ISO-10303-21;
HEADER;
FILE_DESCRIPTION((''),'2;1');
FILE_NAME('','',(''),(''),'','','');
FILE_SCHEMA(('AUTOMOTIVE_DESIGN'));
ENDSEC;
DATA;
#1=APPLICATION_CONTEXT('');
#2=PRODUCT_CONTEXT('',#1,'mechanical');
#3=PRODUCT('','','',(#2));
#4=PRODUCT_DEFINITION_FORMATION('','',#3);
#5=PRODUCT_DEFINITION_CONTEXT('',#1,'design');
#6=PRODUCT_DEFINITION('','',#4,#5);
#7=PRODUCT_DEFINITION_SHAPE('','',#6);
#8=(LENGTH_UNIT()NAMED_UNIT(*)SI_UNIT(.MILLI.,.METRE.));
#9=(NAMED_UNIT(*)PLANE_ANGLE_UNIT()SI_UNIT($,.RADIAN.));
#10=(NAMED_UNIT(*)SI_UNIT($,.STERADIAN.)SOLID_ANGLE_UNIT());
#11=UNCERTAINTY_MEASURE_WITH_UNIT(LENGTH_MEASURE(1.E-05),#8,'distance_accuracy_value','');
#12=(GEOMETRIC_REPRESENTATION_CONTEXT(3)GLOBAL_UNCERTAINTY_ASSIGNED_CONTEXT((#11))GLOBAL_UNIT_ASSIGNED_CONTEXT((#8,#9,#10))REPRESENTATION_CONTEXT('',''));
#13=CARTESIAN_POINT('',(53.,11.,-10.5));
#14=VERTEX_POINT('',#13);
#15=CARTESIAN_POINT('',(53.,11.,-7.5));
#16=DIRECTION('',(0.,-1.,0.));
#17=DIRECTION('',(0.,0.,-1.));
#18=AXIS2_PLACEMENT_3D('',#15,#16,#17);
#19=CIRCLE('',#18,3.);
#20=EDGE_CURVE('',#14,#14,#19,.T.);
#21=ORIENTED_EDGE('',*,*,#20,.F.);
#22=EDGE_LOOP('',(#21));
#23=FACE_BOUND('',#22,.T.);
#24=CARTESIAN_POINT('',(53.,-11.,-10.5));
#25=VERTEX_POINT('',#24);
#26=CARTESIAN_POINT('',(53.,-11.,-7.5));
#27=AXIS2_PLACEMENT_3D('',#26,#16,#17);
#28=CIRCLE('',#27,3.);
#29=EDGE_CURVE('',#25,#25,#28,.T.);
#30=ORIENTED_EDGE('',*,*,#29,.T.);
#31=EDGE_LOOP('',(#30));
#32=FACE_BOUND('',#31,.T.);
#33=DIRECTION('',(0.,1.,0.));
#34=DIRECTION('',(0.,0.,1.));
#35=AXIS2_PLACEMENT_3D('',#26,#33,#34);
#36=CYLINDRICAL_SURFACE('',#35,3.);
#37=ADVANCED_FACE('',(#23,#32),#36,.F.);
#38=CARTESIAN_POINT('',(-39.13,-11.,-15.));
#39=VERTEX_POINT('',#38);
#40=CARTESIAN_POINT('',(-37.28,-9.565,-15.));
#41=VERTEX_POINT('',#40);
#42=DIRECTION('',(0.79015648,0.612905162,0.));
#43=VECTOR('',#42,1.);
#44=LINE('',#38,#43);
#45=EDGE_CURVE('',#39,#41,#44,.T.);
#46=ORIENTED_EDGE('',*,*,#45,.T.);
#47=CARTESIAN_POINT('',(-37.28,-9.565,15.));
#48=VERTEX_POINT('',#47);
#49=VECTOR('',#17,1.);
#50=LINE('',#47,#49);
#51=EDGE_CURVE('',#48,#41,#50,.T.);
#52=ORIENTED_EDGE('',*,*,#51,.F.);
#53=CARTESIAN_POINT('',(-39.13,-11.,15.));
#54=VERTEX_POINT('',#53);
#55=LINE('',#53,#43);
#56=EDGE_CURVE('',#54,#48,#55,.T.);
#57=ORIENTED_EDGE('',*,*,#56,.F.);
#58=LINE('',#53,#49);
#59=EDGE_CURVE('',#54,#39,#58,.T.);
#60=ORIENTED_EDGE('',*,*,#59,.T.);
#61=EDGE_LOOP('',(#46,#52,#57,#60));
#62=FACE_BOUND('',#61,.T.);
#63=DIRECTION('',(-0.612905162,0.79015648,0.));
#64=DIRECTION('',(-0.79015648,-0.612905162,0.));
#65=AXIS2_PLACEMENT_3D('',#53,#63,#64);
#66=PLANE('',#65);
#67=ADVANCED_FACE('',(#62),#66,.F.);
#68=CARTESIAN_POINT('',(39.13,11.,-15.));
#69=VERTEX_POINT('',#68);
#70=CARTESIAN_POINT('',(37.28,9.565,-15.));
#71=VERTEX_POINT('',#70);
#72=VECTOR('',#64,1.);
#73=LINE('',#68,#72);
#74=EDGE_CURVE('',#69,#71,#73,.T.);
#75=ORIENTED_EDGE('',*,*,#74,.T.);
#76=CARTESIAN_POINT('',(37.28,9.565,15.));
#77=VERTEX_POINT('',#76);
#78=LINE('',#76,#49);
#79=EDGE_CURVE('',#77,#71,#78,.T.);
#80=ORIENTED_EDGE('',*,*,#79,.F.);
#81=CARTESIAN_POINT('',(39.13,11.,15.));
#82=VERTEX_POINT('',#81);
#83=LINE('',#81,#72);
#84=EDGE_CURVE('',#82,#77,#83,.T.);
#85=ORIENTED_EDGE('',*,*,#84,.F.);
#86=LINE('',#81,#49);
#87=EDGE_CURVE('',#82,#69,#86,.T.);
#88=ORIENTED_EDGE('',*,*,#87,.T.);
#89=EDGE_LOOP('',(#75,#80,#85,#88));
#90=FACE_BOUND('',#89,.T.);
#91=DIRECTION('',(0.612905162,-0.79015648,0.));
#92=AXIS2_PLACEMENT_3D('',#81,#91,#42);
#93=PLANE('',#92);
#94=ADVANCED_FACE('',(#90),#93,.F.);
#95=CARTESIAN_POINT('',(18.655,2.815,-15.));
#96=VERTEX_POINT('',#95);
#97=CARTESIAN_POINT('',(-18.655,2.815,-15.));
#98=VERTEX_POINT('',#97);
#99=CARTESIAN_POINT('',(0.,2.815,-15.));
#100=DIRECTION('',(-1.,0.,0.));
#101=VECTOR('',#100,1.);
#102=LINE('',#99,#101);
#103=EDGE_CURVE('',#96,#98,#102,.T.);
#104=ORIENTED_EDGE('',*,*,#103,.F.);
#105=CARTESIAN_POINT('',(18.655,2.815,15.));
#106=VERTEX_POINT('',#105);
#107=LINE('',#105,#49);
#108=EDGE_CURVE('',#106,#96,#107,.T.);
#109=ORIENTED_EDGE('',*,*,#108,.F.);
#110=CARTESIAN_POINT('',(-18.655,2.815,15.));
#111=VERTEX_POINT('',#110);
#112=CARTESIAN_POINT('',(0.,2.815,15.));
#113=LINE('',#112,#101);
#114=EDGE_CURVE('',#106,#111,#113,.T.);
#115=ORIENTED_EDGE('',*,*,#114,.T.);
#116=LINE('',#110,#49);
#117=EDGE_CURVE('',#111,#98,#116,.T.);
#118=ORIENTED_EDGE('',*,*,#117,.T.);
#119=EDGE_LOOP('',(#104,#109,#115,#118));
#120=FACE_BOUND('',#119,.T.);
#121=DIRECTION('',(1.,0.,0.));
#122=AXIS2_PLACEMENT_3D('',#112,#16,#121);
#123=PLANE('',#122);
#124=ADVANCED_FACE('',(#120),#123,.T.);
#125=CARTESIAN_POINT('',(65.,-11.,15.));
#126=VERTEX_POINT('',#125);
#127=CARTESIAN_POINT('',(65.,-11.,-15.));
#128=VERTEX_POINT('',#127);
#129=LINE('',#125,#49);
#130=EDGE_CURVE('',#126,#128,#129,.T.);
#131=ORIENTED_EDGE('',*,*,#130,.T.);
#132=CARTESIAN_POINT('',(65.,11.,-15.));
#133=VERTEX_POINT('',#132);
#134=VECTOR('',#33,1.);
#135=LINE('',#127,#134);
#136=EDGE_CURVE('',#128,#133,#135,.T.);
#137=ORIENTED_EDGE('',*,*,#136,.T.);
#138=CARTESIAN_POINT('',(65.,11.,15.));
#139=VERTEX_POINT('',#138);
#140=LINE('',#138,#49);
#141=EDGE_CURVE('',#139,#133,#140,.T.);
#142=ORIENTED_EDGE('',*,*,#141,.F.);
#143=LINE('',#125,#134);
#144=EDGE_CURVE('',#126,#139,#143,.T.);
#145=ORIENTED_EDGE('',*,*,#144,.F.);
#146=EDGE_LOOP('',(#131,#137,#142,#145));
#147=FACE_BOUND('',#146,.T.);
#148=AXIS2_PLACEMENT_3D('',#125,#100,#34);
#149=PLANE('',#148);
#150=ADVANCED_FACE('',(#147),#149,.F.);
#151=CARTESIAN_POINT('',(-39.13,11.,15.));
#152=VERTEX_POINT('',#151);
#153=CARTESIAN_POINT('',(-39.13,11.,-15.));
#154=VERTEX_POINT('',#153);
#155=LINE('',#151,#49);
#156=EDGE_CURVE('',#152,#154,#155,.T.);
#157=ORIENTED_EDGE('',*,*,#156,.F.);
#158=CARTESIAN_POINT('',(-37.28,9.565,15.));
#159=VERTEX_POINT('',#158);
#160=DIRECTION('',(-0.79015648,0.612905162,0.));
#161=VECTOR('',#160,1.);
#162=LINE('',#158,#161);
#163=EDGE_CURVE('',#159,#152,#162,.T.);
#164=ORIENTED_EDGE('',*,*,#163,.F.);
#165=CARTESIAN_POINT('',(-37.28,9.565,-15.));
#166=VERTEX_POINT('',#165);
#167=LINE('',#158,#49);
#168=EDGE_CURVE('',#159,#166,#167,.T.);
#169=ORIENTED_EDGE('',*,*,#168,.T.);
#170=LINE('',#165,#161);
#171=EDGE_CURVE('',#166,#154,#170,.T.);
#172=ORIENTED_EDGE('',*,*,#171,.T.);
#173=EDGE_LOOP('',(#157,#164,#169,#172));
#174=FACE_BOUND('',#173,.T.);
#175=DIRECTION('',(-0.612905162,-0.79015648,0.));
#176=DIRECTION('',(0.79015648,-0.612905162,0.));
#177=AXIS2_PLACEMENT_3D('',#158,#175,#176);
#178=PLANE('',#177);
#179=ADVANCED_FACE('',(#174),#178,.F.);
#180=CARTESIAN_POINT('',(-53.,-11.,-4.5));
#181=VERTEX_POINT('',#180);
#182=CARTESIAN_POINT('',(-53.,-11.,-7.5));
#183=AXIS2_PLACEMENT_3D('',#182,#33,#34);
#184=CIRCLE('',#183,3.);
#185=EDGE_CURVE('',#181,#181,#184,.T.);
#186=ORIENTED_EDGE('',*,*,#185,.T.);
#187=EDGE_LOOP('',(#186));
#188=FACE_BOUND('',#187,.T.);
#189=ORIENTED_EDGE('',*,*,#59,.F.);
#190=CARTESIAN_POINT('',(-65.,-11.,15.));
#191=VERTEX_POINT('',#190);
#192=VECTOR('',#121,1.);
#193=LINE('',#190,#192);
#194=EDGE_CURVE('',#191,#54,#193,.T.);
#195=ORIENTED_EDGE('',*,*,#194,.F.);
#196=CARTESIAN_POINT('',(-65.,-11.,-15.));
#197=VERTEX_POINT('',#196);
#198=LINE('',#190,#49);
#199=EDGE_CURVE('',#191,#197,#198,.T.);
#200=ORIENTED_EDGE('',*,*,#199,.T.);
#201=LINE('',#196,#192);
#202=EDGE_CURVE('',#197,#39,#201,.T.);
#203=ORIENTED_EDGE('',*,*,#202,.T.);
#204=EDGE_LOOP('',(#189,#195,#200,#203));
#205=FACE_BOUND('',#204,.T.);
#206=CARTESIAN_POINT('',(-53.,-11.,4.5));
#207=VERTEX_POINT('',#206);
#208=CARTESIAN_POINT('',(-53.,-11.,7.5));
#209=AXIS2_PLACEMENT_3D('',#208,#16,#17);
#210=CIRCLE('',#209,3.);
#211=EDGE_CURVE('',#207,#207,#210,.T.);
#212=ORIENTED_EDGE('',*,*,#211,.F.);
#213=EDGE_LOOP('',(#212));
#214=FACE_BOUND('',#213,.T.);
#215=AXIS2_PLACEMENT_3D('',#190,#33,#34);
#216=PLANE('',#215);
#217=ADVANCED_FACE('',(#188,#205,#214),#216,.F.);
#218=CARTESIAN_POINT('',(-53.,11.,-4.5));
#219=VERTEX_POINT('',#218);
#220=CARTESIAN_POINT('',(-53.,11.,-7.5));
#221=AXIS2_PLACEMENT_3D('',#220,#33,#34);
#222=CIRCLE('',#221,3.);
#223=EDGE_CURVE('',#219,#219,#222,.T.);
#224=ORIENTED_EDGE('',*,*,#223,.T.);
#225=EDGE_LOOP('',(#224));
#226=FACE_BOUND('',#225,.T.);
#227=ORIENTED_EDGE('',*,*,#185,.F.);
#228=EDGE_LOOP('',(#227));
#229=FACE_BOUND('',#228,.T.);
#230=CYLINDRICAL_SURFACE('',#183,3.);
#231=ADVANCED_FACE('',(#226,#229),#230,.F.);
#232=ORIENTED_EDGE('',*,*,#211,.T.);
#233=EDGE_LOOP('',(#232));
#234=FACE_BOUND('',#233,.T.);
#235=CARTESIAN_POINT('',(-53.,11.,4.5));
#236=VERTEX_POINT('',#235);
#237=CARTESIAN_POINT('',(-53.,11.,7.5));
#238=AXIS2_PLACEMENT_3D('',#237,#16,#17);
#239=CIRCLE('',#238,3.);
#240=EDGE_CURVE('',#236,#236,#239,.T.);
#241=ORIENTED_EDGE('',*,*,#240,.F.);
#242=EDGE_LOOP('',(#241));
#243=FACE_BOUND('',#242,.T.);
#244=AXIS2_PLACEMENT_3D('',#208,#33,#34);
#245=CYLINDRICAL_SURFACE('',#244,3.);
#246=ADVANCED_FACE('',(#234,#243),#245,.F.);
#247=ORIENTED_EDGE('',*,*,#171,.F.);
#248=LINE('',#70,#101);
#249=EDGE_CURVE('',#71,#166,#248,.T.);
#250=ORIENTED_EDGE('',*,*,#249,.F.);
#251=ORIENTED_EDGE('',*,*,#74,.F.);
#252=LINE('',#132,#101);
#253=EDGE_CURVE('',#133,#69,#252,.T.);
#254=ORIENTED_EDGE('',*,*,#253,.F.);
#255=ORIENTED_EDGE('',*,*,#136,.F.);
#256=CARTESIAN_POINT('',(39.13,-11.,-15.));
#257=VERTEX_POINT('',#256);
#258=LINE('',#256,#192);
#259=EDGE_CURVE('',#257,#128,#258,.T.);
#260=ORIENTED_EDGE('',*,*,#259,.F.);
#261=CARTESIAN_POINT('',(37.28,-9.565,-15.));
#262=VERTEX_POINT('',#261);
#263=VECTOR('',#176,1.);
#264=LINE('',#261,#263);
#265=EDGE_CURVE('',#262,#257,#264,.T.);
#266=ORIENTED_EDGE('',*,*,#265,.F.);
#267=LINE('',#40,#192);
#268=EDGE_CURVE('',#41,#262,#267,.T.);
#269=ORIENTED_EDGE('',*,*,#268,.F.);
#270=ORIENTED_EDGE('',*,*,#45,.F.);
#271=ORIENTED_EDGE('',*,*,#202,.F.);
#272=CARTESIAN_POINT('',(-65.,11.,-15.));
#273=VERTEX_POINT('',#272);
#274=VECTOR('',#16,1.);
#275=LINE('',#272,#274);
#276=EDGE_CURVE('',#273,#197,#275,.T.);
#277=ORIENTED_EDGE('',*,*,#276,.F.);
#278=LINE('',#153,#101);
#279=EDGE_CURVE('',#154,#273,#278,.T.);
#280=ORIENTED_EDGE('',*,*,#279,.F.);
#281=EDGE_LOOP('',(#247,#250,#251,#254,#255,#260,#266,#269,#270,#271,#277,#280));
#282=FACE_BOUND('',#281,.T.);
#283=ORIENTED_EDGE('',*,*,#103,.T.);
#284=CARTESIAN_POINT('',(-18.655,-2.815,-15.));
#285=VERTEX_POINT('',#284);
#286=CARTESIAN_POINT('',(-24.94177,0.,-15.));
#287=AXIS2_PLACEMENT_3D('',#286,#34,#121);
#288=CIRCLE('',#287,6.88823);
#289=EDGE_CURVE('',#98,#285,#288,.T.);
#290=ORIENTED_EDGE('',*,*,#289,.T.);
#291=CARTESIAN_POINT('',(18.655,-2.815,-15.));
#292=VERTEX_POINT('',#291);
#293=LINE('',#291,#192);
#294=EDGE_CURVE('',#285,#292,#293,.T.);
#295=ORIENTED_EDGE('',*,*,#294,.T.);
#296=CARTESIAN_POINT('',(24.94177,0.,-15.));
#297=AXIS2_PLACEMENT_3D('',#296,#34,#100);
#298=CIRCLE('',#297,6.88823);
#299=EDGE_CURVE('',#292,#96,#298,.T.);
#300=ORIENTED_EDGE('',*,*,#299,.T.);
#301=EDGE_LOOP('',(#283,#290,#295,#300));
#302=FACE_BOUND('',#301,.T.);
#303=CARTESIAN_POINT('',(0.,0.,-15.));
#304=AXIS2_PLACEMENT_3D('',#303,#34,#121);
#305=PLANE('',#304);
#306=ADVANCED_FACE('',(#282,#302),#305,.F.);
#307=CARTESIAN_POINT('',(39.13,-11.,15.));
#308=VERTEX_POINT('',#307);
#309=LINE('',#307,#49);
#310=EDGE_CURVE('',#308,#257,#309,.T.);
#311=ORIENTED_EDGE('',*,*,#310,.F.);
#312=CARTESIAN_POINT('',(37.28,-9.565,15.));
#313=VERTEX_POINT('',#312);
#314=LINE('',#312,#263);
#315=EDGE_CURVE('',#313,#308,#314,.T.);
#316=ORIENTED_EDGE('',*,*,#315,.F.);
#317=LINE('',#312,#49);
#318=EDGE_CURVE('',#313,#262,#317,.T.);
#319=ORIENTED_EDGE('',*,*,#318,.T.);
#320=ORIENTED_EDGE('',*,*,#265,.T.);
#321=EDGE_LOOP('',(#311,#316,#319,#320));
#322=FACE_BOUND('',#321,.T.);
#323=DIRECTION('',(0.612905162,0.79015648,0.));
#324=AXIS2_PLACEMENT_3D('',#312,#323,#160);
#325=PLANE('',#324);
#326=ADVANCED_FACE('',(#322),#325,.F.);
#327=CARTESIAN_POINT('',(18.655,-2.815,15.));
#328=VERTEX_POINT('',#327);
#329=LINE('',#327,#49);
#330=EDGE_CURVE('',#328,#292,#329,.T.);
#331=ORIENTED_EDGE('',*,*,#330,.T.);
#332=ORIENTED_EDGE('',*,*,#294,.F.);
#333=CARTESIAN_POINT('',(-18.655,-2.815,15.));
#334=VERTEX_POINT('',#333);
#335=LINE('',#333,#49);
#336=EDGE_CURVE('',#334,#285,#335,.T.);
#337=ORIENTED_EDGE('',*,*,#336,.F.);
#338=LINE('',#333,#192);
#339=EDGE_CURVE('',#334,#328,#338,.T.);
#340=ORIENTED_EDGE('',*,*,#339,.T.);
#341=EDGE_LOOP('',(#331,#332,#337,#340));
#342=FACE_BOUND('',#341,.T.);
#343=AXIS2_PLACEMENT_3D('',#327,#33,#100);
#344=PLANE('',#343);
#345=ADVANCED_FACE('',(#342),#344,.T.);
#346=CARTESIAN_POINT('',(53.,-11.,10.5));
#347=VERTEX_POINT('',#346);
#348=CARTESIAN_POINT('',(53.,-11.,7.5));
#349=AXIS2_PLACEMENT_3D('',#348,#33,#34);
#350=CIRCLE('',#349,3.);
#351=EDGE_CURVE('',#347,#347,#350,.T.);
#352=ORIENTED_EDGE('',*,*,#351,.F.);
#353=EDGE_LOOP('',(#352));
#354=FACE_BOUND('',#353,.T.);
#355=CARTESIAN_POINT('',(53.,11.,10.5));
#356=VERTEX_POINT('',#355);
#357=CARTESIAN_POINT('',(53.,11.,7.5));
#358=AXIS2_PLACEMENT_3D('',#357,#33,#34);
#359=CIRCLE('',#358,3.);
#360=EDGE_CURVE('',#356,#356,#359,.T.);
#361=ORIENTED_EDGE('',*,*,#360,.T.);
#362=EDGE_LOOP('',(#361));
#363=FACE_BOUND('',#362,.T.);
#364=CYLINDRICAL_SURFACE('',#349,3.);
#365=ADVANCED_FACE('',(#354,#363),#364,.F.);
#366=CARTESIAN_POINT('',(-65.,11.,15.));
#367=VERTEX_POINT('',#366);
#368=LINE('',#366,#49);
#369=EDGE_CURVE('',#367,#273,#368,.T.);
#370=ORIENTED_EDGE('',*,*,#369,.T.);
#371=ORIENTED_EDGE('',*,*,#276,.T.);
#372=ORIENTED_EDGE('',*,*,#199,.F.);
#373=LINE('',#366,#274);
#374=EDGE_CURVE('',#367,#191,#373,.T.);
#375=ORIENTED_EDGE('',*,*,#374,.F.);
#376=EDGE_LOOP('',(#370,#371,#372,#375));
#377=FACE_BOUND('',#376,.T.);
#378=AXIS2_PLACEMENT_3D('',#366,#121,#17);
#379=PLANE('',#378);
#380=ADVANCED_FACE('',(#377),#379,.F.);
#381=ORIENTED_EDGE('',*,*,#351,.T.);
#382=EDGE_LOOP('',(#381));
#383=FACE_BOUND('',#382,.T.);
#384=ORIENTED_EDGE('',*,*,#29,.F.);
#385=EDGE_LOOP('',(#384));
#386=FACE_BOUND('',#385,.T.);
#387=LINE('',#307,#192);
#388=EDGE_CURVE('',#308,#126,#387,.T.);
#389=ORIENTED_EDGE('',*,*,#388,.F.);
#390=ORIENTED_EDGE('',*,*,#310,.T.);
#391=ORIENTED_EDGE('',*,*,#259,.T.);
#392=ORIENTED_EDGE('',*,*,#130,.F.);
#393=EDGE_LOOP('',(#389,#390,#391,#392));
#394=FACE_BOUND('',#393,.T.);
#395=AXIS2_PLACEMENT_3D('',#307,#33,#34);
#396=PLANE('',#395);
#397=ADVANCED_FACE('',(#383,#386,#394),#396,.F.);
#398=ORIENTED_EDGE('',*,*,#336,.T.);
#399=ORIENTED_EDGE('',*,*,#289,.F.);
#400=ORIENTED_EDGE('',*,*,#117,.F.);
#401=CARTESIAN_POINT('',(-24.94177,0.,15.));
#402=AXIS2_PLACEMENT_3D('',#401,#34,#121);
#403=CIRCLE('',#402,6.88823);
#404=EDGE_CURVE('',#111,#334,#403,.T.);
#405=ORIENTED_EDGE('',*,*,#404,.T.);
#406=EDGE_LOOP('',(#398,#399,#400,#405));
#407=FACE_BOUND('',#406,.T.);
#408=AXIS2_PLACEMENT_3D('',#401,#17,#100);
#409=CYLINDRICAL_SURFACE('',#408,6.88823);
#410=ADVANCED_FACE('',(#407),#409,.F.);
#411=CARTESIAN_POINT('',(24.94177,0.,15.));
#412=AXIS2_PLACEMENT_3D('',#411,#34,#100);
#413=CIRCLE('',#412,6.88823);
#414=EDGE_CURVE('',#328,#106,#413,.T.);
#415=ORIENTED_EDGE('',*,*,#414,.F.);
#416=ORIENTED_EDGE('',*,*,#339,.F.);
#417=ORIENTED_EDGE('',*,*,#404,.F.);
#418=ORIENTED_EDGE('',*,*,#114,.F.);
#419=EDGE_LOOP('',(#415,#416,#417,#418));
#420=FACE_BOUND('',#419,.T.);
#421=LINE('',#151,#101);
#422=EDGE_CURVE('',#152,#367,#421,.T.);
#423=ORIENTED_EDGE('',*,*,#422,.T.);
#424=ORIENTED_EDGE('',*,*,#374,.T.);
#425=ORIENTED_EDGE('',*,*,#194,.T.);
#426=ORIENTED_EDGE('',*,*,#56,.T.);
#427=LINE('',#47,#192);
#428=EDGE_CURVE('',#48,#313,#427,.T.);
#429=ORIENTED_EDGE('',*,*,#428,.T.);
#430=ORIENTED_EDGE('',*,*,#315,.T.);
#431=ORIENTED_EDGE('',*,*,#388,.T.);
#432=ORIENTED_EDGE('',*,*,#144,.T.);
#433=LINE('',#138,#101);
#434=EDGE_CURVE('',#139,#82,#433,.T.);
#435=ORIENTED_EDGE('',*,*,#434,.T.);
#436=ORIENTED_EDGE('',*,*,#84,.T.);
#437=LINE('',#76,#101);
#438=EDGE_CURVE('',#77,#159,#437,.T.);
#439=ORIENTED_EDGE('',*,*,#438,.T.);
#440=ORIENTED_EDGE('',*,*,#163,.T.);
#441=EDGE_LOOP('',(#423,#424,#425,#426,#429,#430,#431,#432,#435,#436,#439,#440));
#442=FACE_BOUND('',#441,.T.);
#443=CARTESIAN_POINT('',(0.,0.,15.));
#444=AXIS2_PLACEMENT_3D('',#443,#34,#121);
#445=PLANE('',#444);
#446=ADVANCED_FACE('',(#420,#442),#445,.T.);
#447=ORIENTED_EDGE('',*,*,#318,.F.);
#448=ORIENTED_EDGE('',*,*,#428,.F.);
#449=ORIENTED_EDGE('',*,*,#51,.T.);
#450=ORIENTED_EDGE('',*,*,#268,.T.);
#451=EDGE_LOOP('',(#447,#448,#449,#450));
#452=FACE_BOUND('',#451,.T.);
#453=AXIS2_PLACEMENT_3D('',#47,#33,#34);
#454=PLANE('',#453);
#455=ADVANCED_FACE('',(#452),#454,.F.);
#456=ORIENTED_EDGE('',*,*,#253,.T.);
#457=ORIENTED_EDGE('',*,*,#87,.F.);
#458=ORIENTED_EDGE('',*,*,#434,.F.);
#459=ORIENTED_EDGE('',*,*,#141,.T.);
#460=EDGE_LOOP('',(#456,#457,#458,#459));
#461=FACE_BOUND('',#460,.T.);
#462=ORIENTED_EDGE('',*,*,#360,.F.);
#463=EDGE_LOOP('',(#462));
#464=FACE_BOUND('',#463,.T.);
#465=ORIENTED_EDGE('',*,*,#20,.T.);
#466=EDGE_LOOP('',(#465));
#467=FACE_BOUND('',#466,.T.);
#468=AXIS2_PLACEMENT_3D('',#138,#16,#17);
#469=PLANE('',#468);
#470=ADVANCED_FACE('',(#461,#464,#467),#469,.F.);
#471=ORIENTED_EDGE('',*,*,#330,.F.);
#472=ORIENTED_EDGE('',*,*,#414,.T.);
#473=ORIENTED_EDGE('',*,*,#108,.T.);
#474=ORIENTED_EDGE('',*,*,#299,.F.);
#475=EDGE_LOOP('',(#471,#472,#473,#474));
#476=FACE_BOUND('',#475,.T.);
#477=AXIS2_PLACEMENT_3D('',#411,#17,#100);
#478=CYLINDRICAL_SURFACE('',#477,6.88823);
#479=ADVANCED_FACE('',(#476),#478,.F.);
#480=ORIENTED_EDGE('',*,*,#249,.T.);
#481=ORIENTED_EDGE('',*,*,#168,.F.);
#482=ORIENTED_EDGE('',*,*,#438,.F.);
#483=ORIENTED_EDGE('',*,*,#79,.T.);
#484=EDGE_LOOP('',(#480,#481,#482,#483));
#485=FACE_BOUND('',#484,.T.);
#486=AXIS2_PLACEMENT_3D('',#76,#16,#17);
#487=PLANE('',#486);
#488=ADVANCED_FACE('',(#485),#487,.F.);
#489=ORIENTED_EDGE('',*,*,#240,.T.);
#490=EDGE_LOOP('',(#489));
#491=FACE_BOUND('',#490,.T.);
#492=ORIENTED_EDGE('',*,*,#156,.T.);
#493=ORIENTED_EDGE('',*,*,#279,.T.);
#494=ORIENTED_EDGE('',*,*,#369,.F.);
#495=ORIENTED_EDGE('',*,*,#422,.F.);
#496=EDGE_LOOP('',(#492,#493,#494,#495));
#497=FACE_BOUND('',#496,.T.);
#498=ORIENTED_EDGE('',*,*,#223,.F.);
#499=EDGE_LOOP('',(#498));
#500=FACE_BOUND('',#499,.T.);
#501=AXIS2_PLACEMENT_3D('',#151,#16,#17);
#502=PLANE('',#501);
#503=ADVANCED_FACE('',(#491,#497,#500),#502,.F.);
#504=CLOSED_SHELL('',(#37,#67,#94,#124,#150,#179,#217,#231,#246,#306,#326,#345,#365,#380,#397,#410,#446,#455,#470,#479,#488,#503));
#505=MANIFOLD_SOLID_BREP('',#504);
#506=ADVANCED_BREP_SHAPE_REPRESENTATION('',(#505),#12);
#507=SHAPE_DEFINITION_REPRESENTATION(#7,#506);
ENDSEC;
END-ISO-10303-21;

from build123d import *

# Parameters (mm, degrees)
BOSS_EXTRUDE1_DEPTH = 15
SKETCH5_R           = 3
CUT_EXTRUDE1_DEPTH  = 71.242437315


with BuildPart() as part:
    # Sketch2 → Boss-Extrude1 (new, symmetric)
    with BuildSketch(Plane.XY):
        Polygon((-65, 11), (-65, -11), (-39.13, -11), (-37.28, -9.565), (37.28, -9.565), (39.13, -11), (65, -11), (65, 11), (39.13, 11), (37.28, 9.565), (-37.28, 9.565), (-39.13, 11), align=None)
        with BuildLine():
            Line((0, 2.815), (18.655, 2.815))
            ThreePointArc((18.655, 2.815), (31.83, 0), (18.655, -2.815))
            Line((18.655, -2.815), (0, -2.815))
            Line((0, -2.815), (-18.655, -2.815))
            ThreePointArc((-18.655, -2.815), (-31.83, 0), (-18.655, 2.815))
            Line((-18.655, 2.815), (0, 2.815))
        make_face(mode=Mode.SUBTRACT)
    extrude(amount=BOSS_EXTRUDE1_DEPTH, both=True)

    # Sketch5 → Cut-Extrude1 (cut, through all)
    with BuildSketch(Plane(origin=(0, 11, 0), x_dir=(1, 0, 0), z_dir=(0, 1, 0))):
        with Locations(Location((-53, 7.5, 0), (0, 0, 270))):
            Circle(SKETCH5_R)
        with Locations(Location((-53, -7.5, 0), (0, 0, 90))):
            Circle(SKETCH5_R)
        with Locations(Location((53, -7.5, 0), (0, 0, 270))):
            Circle(SKETCH5_R)
        with Locations(Location((53, 7.5, 0), (0, 0, 90))):
            Circle(SKETCH5_R)
    extrude(amount=-CUT_EXTRUDE1_DEPTH, mode=Mode.SUBTRACT)


solid = part.part
